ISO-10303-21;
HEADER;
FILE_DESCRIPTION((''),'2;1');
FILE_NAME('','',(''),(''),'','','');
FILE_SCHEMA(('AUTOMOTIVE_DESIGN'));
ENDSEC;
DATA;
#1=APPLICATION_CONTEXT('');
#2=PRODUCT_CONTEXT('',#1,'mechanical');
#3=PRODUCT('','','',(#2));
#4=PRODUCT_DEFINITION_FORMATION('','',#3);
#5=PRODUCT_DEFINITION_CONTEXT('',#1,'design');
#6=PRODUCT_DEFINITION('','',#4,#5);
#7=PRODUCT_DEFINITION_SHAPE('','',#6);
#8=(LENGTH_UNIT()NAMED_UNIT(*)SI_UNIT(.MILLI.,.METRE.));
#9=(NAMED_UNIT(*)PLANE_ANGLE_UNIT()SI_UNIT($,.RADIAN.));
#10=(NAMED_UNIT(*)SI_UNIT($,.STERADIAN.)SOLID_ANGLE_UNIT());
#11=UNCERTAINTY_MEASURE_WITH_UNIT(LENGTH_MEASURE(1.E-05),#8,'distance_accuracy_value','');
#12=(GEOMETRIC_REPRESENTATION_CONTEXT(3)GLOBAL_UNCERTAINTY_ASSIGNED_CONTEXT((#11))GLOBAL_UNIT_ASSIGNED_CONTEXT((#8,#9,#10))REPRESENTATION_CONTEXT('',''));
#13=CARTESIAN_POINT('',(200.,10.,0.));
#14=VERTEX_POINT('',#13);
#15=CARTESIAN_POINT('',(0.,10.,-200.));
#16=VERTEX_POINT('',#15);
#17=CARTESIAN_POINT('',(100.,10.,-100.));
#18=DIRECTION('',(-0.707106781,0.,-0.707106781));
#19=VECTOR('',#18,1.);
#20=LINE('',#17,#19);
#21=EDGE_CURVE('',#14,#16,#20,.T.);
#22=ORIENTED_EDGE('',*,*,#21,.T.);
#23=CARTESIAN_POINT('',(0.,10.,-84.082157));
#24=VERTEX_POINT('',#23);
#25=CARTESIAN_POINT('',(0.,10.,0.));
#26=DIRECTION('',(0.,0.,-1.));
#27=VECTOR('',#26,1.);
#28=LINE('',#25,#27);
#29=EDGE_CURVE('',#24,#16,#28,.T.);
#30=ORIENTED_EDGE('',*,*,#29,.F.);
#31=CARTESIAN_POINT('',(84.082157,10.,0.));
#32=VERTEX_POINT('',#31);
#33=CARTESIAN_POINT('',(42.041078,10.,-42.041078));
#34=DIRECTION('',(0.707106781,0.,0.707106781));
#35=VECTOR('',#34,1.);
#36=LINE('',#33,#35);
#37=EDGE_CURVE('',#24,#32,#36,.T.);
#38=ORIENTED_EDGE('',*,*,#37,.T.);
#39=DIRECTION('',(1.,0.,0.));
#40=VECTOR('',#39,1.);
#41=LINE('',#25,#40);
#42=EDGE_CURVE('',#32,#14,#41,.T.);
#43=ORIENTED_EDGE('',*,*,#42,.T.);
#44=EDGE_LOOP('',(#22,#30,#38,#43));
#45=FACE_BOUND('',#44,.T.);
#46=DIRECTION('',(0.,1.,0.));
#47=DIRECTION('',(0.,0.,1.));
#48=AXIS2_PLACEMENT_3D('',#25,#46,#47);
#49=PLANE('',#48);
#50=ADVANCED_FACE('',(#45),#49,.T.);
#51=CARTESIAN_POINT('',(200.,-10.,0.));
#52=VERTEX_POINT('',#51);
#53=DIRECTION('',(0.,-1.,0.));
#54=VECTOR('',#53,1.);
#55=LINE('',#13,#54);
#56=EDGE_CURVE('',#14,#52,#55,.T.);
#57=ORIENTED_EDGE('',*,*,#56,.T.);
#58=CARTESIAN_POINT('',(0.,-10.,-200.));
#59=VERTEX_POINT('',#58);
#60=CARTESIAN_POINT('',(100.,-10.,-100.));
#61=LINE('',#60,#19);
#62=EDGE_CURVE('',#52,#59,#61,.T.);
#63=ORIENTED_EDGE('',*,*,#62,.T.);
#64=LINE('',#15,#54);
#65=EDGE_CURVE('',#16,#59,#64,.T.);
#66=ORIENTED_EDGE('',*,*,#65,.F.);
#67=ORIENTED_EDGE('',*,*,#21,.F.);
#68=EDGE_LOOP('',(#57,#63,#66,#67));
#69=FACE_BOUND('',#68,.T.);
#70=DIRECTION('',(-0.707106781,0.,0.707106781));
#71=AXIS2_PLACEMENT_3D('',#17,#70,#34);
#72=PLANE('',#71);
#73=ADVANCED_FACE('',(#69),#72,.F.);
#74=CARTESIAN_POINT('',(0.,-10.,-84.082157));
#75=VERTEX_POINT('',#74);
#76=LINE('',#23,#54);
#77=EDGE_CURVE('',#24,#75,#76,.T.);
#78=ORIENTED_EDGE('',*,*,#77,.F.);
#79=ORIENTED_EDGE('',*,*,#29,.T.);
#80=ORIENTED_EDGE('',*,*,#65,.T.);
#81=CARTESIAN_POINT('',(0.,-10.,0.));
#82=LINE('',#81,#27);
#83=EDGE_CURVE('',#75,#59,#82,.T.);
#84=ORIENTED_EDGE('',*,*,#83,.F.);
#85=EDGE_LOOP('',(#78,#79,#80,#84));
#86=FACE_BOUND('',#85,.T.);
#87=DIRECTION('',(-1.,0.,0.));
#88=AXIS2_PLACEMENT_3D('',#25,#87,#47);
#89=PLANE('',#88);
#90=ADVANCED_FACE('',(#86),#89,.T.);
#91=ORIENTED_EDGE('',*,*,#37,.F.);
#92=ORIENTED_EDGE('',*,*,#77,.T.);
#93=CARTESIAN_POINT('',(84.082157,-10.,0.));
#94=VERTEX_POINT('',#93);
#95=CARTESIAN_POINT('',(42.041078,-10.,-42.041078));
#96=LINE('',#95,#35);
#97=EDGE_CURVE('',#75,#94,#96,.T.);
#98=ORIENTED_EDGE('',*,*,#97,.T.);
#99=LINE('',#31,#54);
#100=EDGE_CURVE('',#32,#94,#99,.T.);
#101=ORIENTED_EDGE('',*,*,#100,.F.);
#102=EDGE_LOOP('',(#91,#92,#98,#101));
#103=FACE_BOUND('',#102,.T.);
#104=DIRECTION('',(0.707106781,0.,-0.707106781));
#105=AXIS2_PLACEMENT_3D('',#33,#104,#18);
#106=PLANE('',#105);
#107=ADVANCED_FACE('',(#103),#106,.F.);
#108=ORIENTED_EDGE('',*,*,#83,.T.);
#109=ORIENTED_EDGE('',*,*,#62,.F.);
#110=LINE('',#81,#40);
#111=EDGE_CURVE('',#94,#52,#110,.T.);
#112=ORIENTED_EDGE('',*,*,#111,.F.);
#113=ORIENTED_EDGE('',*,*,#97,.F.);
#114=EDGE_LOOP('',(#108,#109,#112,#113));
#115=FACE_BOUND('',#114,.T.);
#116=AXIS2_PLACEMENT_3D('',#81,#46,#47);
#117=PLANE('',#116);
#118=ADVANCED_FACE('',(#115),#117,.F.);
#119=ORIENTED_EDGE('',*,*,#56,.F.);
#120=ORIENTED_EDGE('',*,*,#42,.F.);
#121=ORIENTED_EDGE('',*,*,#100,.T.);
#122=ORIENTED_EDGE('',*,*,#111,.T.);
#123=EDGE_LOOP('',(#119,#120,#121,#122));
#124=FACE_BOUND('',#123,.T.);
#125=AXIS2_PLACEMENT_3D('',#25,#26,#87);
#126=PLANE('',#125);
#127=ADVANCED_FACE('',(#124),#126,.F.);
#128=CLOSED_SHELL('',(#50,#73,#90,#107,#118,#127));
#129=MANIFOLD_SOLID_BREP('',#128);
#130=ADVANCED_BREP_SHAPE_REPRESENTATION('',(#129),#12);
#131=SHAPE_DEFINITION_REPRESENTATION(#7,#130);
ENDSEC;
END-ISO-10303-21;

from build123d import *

# Parameters (mm, degrees)
BOSS_EXTRUDE1_DEPTH = 10


with BuildPart() as part:
    # Sketch1 → Boss-Extrude1 (new, symmetric)
    with BuildSketch(Plane(origin=(0, 0, 0), x_dir=(1, 0, 0), z_dir=(0, 1, 0))):
        Polygon((0, 84.082156952), (84.082156952, 0), (200, 0), (0, 200), align=None)
    extrude(amount=BOSS_EXTRUDE1_DEPTH, both=True)


solid = part.part
